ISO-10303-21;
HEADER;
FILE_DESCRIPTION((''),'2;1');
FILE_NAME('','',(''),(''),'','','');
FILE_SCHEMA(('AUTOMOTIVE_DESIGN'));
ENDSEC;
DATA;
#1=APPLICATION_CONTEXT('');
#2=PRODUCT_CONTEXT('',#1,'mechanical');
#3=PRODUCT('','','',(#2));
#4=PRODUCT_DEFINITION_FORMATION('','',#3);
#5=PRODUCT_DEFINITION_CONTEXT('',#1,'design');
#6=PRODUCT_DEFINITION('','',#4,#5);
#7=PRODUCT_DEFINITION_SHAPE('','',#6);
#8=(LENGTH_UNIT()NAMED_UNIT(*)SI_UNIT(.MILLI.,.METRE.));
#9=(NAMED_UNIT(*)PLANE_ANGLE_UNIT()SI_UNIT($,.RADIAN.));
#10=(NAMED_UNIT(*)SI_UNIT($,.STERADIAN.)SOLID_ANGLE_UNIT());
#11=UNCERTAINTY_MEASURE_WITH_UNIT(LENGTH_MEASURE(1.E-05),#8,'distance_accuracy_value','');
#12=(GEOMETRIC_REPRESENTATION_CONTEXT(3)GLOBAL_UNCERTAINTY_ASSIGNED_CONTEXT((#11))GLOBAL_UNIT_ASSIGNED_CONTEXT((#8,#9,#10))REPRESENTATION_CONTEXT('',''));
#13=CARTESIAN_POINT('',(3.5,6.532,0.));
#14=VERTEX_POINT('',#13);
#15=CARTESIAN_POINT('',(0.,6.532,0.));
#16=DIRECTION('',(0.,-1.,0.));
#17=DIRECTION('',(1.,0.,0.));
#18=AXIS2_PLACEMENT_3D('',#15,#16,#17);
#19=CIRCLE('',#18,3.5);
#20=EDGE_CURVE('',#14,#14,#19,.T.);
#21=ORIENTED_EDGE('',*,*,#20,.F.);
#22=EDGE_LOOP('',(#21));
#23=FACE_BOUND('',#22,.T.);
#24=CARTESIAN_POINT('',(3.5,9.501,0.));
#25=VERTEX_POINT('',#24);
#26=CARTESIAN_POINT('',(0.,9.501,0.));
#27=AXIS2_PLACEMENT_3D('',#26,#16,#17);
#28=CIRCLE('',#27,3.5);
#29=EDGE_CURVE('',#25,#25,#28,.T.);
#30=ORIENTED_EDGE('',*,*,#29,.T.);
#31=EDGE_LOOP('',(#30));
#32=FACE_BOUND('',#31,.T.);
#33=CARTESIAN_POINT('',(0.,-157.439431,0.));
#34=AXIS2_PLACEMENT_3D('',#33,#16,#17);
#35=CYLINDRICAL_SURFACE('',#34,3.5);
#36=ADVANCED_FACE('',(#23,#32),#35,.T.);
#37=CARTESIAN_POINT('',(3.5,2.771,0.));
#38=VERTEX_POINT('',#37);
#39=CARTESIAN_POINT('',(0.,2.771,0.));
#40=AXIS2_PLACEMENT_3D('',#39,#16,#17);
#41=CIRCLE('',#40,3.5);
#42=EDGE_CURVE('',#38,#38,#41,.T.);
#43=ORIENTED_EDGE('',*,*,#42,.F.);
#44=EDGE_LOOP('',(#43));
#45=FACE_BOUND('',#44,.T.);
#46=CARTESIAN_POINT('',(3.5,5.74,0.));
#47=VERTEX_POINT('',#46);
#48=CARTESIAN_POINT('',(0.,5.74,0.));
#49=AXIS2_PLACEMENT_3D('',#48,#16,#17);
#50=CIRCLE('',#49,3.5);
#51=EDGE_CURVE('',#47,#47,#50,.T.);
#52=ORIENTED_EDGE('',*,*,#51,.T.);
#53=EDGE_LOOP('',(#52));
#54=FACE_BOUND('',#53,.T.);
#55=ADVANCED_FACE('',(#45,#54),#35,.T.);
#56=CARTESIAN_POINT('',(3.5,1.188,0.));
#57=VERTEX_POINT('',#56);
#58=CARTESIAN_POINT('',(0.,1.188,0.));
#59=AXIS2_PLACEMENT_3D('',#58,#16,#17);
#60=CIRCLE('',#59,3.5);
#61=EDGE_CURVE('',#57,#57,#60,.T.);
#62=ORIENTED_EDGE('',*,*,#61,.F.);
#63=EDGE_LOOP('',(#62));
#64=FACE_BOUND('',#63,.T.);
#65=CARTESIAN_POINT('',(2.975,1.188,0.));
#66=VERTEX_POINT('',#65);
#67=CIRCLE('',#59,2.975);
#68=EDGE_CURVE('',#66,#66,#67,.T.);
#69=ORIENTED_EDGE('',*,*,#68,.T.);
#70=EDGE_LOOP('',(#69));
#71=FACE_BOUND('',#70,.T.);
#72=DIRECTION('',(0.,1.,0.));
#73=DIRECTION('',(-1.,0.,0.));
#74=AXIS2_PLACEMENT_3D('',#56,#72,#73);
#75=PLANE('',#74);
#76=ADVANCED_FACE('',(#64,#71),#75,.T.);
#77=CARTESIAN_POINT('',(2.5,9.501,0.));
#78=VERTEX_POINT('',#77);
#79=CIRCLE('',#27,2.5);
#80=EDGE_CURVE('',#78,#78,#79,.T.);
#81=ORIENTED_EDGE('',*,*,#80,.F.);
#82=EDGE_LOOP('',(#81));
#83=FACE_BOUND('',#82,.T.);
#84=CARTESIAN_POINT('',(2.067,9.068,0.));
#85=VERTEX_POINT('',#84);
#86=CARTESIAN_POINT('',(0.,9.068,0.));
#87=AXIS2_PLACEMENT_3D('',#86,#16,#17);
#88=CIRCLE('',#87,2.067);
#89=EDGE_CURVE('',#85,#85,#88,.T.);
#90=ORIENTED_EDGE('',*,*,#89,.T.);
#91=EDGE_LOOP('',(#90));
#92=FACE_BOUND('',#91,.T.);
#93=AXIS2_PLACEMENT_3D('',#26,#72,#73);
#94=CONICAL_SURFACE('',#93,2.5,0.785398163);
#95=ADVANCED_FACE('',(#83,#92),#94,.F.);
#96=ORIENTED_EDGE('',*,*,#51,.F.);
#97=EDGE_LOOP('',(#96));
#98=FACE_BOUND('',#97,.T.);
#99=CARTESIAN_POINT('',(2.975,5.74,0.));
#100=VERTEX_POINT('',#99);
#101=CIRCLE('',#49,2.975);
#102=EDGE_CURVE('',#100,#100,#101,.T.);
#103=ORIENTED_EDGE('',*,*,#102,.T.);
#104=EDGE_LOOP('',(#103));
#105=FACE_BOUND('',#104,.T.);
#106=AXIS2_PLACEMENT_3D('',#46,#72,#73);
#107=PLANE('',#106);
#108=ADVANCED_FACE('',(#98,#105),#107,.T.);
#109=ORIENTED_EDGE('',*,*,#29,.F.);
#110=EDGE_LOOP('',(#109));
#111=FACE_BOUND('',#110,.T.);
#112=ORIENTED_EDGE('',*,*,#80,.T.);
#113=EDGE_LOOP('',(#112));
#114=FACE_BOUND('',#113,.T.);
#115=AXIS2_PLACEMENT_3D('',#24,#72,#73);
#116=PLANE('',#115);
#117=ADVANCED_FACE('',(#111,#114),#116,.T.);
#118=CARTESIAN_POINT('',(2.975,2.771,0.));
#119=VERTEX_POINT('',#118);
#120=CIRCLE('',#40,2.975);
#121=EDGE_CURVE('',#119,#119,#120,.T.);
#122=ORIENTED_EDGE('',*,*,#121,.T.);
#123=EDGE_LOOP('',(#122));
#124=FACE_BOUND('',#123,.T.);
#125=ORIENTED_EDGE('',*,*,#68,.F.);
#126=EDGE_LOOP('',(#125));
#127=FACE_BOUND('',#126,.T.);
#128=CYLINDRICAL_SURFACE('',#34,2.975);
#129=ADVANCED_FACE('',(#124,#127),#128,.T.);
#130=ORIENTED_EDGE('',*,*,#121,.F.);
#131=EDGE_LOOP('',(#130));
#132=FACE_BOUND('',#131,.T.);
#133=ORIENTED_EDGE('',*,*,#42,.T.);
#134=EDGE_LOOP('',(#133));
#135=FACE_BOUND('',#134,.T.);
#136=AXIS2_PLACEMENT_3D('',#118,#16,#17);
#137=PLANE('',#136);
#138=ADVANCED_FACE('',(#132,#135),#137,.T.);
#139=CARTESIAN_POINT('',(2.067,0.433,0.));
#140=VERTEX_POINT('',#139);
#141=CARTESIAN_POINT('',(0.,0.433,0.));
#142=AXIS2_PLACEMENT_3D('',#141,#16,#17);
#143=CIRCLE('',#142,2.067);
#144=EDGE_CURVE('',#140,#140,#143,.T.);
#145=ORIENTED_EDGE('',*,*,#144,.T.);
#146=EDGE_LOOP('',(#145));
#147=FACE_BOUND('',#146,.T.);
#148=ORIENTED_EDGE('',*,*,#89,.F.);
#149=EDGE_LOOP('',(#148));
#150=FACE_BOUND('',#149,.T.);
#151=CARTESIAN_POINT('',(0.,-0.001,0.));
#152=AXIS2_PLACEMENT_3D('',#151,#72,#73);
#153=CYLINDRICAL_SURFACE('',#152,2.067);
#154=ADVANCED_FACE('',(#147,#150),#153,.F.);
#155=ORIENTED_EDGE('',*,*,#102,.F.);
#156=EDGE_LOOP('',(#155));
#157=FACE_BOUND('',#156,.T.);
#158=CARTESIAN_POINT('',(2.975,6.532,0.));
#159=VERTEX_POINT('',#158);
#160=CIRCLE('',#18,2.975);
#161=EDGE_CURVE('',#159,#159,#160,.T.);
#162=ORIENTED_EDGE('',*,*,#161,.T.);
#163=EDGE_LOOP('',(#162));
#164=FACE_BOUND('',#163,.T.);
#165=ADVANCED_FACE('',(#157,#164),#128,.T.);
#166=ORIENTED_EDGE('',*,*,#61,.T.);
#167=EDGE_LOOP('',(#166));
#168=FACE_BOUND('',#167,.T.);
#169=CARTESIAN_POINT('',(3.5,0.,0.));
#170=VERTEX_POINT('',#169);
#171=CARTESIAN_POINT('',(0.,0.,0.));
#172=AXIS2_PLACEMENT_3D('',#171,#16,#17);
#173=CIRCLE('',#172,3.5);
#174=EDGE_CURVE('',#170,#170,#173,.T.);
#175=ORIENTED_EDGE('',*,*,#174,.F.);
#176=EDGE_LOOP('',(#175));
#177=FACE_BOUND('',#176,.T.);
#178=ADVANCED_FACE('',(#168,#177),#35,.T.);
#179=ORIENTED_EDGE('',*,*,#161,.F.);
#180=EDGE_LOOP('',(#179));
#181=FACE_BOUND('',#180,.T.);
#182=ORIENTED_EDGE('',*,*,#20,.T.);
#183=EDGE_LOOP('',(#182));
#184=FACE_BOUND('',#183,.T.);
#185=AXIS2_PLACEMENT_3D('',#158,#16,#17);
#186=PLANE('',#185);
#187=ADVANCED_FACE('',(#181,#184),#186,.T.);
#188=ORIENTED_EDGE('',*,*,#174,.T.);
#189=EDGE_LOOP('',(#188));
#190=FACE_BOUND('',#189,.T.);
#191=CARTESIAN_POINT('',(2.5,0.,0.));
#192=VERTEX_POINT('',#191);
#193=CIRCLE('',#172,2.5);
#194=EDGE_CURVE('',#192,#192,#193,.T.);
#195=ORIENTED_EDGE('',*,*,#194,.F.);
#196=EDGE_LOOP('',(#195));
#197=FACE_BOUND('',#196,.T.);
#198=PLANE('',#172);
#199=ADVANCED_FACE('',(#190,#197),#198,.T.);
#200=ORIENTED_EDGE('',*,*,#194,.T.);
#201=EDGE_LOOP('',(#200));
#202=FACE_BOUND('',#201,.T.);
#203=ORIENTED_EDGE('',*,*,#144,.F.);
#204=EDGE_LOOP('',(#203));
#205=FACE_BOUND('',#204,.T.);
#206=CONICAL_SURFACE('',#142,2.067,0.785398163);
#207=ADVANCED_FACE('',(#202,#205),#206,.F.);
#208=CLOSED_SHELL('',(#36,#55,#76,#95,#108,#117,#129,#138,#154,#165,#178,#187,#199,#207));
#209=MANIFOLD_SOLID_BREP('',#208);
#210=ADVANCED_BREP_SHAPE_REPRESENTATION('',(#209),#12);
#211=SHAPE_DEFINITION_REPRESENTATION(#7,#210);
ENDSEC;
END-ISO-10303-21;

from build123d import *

# Parameters (mm, degrees)
CUT_EXTRUDE1_REACH = 12.713
SKETCH3_R          = 2.067


with BuildPart() as part:
    # Sketch2 → Revolve1 (revolve)
    with BuildSketch(Plane.XY):
        Polygon((0, 0), (3.5, 0), (3.5, 1.188), (2.975, 1.188), (2.975, 2.771), (3.5, 2.771), (3.5, 5.74), (2.975, 5.74), (2.975, 6.532), (3.5, 6.532), (3.5, 9.501), (0, 9.501), align=None)
    revolve(axis=Axis((0, -157.439431358, 0), (0, 1, 0)))

    # Sketch3 → Cut-Extrude1 (cut, up to next)
    with BuildSketch(Plane(origin=(0, 9.501, 0), x_dir=(1, 0, 0), z_dir=(0, 1, 0)), mode=Mode.PRIVATE) as cut_extrude1_sk1:
        with Locations(Location((0, 0, 0), (0, 0, 180))):
            Circle(SKETCH3_R)
    cut_extrude1_tool1 = extrude(cut_extrude1_sk1.sketch, amount=-CUT_EXTRUDE1_REACH, mode=Mode.PRIVATE) & part.part
    add(cut_extrude1_tool1.solids().sort_by_distance((0, 9.501, 0))[0], mode=Mode.SUBTRACT)

    # Sketch14 → Cut-Revolve1 (revolve, cut)
    with BuildSketch(Plane.XY, mode=Mode.PRIVATE) as cut_revolve1_sk:
        Polygon((-2.5, 9.501), (-2.067, 9.068), (-2.067, 9.501), align=None)
        Polygon((-2.5, 0), (-2.067, 0.433), (-2.067, 0), align=None)
    revolve(cut_revolve1_sk.sketch.rotate(Axis((0, -1000, 0), (0, 1, 0)), 180), axis=Axis((0, -1000, 0), (0, 1, 0)), mode=Mode.SUBTRACT)


solid = part.part
